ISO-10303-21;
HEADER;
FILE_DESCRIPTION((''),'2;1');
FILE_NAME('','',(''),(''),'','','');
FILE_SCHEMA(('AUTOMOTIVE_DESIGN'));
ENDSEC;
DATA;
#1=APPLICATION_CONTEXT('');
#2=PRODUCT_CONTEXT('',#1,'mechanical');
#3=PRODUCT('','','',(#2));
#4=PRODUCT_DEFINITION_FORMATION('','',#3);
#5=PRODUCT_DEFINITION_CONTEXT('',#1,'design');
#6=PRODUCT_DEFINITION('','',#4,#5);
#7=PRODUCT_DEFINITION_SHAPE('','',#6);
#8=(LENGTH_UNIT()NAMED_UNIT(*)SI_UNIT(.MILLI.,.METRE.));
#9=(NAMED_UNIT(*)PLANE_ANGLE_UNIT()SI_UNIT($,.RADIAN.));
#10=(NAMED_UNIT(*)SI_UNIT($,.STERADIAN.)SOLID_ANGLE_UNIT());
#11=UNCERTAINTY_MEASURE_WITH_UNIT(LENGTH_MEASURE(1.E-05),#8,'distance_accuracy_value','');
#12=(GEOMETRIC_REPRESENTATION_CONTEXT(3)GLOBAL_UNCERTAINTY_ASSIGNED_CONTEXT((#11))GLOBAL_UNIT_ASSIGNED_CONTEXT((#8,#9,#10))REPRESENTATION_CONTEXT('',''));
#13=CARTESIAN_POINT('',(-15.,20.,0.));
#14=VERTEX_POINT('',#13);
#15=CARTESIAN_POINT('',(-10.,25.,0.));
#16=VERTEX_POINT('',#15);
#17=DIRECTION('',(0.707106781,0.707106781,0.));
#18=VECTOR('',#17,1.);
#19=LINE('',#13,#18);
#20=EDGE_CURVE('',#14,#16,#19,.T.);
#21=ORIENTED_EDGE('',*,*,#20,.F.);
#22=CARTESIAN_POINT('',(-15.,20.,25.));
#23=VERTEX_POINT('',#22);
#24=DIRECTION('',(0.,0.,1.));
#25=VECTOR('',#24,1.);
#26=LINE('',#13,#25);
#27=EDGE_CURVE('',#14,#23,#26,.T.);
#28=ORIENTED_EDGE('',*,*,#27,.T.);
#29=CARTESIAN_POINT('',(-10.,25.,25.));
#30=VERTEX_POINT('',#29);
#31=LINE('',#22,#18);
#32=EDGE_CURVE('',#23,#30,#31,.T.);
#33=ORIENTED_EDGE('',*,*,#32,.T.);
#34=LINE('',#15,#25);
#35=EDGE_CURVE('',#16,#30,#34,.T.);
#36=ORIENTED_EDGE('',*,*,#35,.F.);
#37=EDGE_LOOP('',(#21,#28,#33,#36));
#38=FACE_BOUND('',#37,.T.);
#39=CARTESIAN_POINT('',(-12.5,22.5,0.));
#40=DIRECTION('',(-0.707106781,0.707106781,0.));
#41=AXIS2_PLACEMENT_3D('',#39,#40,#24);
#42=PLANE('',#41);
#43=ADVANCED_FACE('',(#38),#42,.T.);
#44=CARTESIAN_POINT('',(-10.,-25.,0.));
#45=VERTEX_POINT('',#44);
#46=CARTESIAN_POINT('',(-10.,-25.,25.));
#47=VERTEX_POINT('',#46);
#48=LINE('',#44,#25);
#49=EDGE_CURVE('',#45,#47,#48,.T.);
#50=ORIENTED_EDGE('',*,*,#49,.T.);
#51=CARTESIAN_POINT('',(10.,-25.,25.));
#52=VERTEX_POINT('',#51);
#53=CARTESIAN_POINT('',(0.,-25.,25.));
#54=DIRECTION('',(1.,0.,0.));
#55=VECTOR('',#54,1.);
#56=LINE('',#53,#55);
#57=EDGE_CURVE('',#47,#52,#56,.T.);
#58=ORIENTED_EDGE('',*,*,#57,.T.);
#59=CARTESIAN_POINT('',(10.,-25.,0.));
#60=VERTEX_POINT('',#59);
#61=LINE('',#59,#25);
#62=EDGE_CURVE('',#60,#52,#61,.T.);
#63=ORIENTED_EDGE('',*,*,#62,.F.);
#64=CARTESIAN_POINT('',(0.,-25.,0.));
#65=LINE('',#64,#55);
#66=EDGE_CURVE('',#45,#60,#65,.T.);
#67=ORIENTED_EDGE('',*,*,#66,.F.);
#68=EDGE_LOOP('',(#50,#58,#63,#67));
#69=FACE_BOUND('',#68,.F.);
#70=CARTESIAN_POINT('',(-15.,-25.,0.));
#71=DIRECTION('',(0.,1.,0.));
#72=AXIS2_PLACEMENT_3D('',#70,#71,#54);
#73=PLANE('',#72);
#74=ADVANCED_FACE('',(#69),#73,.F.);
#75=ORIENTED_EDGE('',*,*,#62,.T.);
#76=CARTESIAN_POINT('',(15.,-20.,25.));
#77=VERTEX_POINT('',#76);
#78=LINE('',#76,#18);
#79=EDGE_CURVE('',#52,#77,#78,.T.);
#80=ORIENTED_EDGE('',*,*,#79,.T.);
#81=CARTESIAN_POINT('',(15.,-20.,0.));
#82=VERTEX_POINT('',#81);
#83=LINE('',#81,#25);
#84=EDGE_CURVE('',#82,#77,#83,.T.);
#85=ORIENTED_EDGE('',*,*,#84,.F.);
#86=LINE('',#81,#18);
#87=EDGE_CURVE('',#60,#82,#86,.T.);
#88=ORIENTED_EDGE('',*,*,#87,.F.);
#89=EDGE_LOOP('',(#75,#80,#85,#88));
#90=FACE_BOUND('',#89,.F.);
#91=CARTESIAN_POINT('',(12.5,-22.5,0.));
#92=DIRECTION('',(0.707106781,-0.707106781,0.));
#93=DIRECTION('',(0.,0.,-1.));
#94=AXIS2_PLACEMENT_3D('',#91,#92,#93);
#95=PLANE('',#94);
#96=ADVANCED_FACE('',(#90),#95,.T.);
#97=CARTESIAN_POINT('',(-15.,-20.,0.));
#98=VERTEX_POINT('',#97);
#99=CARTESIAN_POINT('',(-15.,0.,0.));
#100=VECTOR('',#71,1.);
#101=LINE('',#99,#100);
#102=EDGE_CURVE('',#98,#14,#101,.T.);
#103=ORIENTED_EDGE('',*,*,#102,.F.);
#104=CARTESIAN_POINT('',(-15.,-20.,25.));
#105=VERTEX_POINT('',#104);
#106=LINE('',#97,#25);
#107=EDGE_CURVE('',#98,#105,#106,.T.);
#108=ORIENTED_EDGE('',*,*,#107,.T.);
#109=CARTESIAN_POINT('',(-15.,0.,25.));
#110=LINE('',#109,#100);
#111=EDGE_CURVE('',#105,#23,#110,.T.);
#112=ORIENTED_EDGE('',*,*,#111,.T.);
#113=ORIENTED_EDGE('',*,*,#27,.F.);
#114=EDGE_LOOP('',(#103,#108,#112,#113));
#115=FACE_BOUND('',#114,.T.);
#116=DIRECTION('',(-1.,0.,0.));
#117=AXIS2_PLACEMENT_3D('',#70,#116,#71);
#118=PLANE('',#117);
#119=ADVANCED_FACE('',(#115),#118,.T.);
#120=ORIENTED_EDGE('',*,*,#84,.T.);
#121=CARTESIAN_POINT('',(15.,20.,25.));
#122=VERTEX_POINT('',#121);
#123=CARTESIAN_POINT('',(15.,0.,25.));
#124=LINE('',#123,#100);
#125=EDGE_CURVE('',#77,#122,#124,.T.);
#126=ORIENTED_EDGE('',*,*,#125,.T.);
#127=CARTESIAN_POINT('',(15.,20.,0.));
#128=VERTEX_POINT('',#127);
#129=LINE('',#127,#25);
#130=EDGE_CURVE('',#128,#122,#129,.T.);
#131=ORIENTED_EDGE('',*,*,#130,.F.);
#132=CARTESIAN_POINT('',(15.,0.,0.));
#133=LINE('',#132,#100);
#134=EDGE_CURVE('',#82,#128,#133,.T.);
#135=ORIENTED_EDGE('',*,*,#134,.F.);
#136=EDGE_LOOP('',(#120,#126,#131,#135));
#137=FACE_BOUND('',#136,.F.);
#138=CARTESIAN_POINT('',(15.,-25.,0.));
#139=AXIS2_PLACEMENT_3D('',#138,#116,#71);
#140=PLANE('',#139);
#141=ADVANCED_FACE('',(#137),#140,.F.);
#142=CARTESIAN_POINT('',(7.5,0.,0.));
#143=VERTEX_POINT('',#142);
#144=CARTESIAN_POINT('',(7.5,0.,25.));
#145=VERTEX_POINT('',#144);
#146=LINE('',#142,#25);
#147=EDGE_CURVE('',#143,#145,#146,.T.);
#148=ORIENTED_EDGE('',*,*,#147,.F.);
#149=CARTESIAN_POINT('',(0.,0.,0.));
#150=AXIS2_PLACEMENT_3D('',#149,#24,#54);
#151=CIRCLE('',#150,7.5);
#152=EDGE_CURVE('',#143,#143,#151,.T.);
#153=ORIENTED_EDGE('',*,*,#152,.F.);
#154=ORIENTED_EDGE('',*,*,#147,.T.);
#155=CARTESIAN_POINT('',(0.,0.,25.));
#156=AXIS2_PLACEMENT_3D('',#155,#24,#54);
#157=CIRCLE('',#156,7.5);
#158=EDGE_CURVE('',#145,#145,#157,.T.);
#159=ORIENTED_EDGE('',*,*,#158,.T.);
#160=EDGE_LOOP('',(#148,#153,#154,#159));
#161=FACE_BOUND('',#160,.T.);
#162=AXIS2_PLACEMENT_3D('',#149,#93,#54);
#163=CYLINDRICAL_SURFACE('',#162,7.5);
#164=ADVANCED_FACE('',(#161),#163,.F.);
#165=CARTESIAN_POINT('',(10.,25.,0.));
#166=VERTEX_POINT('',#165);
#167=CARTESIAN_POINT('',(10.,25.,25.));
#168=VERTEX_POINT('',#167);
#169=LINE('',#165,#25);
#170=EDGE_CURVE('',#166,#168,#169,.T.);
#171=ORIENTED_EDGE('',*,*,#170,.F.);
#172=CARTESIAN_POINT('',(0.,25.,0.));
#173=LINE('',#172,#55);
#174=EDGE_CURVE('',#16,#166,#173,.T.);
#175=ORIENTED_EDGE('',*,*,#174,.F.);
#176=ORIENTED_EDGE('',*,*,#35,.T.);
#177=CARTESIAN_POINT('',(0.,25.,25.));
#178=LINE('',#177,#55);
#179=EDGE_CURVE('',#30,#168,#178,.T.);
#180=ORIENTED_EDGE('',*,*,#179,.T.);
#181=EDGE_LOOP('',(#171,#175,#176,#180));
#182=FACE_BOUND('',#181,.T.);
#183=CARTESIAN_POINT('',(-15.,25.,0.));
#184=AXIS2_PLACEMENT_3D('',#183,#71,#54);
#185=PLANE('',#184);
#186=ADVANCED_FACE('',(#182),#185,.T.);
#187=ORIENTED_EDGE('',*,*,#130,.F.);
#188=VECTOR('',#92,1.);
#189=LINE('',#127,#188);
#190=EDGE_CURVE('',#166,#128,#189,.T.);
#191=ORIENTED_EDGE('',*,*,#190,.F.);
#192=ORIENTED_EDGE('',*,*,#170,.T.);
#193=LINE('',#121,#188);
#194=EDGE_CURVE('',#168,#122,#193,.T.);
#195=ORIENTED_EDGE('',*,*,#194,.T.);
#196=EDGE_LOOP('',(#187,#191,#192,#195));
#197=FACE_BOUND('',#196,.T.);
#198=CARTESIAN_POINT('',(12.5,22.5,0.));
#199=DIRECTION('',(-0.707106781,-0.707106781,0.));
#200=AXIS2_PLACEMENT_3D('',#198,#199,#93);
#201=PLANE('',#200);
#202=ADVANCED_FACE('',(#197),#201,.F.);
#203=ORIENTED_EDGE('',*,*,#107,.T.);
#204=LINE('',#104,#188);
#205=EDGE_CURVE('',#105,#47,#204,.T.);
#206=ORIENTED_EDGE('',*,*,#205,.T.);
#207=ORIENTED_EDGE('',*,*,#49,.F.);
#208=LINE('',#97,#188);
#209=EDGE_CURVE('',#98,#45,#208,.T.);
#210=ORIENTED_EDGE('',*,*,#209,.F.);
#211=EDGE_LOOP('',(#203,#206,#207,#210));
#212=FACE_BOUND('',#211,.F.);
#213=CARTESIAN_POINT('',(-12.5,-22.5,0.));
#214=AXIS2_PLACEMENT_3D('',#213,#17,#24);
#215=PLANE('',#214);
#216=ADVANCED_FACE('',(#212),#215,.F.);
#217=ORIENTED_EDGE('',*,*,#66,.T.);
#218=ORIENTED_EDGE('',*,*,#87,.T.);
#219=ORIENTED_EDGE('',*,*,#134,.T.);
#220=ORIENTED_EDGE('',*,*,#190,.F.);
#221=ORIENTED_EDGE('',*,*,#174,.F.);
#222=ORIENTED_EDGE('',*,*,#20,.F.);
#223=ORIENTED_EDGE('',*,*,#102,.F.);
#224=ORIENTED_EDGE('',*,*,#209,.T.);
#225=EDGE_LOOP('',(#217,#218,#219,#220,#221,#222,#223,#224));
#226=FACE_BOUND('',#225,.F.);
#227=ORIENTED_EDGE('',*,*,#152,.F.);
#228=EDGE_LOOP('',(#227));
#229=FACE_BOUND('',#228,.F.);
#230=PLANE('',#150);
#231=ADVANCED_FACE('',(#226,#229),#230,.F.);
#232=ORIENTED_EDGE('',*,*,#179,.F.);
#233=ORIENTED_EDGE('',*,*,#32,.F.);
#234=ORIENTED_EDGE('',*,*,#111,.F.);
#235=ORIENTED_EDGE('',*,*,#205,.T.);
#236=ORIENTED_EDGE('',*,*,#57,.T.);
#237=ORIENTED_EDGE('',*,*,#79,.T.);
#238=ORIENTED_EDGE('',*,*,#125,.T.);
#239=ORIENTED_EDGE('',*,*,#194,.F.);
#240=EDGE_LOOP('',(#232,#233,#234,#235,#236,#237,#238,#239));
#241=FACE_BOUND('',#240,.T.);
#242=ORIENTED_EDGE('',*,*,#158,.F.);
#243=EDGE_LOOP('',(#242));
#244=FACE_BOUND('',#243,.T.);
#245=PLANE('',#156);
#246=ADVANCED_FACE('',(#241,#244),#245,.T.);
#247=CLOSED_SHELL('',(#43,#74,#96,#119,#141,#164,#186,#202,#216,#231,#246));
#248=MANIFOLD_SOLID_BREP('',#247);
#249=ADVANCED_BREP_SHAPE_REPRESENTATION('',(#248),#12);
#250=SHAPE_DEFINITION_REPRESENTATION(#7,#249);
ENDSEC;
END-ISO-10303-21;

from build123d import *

# Parameters (mm, degrees)
F0_W     = 30
F0_H     = 50
F0_R     = 7.5
F1_DEPTH = 25
F2_SIZE  = 5


with BuildPart() as f1:
    # F0 (on Top) → F1 (new body)
    with BuildSketch(Plane.XY):
        Rectangle(F0_W, F0_H)
        Circle(F0_R, mode=Mode.SUBTRACT)
    extrude(amount=F1_DEPTH)

    # F2
    f2_edges = [f1.edges().sort_by_distance(p)[0] for p in [
        (15, -25, 12.5),
        (-15, -25, 12.5),
        (15, 25, 12.5),
        (-15, 25, 12.5),
    ]]
    chamfer(f2_edges, length=F2_SIZE)


solid = f1.part
